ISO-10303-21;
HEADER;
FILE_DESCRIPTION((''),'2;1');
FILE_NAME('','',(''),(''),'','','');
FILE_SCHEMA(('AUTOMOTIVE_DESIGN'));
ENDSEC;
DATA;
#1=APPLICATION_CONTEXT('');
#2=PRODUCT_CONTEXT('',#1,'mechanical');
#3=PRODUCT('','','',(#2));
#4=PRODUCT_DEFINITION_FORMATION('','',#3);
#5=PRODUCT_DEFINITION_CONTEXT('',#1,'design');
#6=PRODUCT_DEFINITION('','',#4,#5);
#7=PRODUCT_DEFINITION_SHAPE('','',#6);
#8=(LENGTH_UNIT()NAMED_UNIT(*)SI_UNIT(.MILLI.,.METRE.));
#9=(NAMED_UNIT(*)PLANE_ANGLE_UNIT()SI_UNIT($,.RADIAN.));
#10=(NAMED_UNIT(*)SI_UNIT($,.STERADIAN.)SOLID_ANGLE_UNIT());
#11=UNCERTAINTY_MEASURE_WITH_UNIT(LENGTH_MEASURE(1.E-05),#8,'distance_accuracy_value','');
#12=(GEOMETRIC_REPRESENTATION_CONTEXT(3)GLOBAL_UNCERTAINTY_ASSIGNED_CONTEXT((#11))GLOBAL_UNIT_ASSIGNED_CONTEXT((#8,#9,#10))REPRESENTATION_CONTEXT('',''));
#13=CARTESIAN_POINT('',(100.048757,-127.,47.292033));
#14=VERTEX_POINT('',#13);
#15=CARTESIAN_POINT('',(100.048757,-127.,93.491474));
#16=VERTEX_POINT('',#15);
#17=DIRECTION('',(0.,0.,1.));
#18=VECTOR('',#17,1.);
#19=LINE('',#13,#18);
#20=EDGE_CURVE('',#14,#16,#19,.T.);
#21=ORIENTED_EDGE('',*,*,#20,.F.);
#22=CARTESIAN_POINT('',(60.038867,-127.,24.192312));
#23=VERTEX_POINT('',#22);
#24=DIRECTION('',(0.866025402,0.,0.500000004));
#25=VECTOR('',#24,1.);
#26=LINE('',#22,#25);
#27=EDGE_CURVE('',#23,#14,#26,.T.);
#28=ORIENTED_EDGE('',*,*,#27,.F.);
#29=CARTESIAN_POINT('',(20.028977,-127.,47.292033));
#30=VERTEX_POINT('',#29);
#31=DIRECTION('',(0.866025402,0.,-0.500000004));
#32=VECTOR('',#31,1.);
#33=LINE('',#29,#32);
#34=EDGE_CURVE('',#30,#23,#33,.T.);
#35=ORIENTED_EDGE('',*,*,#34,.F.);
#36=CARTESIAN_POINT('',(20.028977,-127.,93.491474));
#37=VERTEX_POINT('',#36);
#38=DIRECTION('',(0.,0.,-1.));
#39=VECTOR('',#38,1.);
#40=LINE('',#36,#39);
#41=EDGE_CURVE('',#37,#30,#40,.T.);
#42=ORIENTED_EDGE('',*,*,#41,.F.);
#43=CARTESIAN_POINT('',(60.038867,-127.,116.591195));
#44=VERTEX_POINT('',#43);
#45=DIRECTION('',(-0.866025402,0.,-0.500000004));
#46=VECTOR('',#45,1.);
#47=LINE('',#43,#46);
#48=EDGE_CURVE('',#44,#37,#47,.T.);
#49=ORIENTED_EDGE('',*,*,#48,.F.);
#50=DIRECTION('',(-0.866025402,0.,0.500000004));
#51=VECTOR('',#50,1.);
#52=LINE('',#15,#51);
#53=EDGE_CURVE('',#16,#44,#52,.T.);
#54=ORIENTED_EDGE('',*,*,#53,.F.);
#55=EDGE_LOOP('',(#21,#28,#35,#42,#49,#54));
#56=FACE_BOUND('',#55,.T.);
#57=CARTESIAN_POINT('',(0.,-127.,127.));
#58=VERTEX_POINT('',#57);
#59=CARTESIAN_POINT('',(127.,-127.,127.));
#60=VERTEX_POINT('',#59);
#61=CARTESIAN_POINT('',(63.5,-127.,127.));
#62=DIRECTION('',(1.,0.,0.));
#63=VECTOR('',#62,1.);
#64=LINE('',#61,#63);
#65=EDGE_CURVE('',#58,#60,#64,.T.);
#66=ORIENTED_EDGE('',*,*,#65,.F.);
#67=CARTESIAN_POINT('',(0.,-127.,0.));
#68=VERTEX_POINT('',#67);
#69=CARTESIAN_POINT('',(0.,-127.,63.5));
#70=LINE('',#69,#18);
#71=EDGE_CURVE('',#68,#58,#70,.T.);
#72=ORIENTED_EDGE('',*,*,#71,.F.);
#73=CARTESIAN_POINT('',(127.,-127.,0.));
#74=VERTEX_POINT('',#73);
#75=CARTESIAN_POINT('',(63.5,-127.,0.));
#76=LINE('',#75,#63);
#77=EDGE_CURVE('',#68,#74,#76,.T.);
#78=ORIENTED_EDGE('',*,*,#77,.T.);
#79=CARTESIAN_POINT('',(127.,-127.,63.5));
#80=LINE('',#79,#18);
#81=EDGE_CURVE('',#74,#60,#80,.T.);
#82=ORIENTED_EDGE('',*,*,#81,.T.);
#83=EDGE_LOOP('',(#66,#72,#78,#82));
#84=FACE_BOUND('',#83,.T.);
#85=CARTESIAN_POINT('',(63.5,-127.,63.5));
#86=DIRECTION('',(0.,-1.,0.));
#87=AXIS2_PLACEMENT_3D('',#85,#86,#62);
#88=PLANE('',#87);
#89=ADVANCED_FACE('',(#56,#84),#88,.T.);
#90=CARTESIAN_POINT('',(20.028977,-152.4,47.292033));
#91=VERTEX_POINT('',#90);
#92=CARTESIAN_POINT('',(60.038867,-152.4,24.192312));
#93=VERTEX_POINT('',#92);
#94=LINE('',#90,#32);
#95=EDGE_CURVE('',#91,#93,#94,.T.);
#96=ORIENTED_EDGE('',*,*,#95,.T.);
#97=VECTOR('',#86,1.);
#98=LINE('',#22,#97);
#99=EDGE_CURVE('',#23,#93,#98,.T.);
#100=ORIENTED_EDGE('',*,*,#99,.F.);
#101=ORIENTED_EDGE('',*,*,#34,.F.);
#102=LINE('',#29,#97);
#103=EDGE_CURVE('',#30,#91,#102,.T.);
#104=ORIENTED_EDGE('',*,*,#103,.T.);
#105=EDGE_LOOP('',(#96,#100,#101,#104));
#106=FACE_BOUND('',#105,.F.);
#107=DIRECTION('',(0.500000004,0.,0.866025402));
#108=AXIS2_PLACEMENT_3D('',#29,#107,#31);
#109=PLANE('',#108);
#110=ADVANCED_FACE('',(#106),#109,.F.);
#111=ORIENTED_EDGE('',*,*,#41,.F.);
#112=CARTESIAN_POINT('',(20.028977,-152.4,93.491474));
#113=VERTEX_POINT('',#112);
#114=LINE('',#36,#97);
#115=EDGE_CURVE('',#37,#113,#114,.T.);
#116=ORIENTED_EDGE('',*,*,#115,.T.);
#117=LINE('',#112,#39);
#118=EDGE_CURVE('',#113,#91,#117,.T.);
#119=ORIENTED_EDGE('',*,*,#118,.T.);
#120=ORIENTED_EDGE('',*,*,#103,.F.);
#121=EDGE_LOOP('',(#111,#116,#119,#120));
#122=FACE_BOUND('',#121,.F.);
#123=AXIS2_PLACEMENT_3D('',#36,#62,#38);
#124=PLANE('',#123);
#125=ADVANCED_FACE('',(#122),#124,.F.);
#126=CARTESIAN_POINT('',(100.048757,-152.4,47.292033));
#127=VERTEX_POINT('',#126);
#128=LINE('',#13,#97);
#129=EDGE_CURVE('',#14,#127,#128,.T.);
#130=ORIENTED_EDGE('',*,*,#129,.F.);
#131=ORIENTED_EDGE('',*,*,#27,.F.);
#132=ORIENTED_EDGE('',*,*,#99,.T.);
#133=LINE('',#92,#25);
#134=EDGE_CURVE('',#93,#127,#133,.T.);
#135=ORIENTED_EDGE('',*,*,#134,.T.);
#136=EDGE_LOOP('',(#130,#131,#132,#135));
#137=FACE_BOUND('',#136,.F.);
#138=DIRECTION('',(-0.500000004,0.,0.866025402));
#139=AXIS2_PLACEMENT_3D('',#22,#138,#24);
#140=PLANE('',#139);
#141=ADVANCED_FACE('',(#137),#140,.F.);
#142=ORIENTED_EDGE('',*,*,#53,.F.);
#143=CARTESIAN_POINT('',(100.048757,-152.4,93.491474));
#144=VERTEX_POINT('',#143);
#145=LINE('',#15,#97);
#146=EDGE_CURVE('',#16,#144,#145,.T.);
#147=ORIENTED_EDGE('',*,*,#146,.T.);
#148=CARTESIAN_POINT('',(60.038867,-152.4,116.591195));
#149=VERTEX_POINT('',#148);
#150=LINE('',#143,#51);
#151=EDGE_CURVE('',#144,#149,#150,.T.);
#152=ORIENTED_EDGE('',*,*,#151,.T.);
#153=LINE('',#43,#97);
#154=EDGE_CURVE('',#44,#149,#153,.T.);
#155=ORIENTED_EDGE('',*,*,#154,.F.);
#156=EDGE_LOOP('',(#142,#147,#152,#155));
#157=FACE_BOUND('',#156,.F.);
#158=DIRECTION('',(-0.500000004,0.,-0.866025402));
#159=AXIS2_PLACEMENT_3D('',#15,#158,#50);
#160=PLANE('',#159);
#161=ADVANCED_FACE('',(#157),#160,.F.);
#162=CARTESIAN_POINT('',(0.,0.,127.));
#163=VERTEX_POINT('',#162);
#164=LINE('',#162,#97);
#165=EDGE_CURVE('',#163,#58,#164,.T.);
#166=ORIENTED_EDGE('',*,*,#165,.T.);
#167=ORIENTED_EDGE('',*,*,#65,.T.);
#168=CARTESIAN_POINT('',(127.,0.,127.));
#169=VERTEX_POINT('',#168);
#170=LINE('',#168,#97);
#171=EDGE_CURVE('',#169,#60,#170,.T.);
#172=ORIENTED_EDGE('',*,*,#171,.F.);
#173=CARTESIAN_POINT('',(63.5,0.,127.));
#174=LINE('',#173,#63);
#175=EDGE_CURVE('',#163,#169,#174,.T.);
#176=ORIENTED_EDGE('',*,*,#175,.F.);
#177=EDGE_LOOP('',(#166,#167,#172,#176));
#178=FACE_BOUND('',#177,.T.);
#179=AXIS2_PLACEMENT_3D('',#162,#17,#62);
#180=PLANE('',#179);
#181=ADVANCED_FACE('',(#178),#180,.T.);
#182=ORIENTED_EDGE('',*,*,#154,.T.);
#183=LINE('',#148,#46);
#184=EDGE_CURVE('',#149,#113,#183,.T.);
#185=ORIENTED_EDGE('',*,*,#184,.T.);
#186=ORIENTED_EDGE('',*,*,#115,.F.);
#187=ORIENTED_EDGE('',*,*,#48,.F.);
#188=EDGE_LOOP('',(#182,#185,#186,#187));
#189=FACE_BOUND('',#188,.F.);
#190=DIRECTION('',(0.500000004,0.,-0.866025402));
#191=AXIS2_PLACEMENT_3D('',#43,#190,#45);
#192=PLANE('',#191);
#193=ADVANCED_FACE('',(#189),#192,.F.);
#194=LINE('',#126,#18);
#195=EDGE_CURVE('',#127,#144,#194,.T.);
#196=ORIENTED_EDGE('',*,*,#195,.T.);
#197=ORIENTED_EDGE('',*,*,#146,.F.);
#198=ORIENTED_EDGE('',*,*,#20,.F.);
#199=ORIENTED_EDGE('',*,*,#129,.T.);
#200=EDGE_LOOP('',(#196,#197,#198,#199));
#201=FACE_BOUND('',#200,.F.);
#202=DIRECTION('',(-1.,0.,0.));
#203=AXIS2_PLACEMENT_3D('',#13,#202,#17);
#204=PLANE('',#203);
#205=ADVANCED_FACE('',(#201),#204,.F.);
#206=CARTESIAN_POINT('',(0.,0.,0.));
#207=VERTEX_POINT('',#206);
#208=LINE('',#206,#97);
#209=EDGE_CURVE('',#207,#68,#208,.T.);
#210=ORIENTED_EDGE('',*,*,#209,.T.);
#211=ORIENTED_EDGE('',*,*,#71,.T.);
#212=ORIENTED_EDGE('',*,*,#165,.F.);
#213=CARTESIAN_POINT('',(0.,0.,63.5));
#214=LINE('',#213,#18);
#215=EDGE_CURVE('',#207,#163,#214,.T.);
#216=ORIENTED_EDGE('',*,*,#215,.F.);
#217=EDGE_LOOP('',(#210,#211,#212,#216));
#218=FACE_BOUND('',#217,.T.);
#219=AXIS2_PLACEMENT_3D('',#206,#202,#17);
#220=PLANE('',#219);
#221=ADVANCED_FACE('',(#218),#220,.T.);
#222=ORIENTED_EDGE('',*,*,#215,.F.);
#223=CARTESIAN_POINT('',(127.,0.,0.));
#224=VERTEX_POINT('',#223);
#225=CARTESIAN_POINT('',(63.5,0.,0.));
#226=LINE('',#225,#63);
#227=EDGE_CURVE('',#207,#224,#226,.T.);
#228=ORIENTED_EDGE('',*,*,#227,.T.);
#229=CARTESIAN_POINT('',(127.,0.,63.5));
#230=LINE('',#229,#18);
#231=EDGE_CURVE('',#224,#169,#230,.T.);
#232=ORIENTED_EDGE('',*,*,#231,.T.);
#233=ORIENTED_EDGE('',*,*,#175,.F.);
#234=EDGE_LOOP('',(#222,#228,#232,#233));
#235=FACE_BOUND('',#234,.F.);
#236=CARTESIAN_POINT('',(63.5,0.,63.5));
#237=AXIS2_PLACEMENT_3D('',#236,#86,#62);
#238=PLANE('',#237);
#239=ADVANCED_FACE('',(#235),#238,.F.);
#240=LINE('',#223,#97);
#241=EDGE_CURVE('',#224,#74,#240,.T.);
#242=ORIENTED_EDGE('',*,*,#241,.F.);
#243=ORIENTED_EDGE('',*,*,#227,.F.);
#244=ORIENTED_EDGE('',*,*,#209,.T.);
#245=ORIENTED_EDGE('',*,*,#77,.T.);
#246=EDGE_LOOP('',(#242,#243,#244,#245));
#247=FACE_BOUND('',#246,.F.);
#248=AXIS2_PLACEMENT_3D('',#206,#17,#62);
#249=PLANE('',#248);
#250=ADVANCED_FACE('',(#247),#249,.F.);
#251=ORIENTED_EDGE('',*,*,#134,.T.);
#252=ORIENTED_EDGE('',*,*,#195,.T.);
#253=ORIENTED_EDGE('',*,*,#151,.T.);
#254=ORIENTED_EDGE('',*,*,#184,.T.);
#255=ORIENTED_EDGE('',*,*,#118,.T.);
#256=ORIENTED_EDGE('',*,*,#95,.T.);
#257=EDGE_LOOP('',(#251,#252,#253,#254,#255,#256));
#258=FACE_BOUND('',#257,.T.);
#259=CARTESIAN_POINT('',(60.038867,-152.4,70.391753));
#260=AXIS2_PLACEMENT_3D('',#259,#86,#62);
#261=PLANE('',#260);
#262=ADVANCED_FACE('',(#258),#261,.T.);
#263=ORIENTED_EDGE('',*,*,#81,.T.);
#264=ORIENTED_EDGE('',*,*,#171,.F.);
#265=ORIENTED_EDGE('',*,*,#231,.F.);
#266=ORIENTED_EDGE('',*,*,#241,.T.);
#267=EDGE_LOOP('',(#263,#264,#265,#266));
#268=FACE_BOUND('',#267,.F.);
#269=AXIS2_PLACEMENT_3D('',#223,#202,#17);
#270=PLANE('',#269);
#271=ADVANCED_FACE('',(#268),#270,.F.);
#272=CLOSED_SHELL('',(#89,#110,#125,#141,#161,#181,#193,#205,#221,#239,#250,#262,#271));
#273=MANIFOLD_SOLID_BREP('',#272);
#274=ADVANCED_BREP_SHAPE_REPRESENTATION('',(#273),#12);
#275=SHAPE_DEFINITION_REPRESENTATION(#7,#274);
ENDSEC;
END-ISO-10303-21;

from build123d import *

# Parameters (mm, degrees)
F0_W     = 127
F0_H     = 127
F1_DEPTH = 127
F3_DEPTH = 25.4


with BuildPart() as f1:
    # F0 (on Front) → F1 (new body)
    with BuildSketch(Plane.XZ):
        with Locations((63.5, 63.5)):
            Rectangle(F0_W, F0_H)
    extrude(amount=F1_DEPTH)

    # F2 (on face) → F3 (join)
    with BuildSketch(Plane.XZ.offset(127)):
        Polygon((60.038867, 24.192312), (100.048757, 47.292033), (100.048757, 93.491474), (60.038867, 116.591195), (20.028977, 93.491474), (20.028977, 47.292033), align=None)
    extrude(amount=F3_DEPTH)


solid = f1.part
